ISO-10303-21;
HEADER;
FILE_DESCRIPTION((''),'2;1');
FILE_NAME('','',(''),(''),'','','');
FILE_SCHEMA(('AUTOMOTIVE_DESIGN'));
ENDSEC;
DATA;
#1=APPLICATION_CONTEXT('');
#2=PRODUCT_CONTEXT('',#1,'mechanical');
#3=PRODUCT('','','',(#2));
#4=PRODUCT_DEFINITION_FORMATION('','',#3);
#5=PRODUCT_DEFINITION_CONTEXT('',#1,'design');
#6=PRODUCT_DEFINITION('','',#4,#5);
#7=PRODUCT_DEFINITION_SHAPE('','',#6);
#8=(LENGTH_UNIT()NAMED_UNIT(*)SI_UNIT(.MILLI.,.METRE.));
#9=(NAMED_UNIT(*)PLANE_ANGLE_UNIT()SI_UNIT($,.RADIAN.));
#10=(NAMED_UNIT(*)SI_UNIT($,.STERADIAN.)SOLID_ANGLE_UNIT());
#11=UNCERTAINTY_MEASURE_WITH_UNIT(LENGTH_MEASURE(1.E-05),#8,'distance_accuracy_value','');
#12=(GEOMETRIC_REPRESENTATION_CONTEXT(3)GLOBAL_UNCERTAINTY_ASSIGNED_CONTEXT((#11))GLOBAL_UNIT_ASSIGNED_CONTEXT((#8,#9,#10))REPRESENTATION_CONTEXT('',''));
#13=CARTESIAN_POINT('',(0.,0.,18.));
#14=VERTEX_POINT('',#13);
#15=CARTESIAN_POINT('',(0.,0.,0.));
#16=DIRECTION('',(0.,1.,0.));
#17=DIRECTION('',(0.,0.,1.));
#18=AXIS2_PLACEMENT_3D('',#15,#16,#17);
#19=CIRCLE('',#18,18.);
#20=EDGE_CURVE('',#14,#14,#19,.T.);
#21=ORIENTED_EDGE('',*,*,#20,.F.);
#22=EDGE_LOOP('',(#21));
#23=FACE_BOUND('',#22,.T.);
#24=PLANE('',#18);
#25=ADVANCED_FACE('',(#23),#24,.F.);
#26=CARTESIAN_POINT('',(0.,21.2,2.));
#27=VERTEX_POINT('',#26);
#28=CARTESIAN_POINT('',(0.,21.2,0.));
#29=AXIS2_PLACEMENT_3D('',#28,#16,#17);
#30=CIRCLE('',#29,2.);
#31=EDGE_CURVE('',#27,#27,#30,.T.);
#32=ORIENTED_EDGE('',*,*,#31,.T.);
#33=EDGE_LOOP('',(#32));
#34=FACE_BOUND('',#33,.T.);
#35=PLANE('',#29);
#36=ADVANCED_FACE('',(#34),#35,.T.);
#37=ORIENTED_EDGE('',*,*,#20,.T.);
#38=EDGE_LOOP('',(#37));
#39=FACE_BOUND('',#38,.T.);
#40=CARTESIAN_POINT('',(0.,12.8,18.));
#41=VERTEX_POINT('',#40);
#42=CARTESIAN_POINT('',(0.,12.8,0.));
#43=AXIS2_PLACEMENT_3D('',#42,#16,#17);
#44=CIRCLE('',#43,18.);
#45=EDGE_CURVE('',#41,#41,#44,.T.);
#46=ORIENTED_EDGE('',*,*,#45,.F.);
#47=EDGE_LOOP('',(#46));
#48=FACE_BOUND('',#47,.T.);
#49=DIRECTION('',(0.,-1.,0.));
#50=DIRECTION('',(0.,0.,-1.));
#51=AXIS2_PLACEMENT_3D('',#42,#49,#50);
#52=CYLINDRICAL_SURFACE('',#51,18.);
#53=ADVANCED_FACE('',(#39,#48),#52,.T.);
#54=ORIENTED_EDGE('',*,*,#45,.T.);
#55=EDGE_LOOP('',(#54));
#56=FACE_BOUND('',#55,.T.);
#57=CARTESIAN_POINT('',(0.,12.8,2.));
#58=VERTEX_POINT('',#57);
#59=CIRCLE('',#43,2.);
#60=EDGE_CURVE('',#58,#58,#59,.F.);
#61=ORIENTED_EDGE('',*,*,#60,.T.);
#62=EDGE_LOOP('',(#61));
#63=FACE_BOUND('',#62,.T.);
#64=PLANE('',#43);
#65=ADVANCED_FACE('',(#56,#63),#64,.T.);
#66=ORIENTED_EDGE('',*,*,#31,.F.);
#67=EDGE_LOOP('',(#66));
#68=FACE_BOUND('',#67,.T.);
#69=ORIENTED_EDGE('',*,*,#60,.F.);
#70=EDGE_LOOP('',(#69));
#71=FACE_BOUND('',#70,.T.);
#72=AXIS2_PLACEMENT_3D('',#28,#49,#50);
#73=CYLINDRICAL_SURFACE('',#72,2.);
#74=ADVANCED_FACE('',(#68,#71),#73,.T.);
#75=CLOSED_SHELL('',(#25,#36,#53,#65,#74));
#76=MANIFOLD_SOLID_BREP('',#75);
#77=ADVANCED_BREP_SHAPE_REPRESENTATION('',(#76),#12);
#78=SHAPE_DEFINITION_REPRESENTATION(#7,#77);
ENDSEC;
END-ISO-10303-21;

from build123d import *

# Parameters (mm, degrees)
SKETCH1_R           = 18
BOSS_EXTRUDE1_DEPTH = 12.8
SKETCH1_3_R         = 2
BOSS_EXTRUDE2_DEPTH = 21.2


with BuildPart() as part:
    # Sketch1 → Boss-Extrude1 (new body)
    with BuildSketch(Plane(origin=(0, 0, 0), x_dir=(1, 0, 0), z_dir=(0, 1, 0))):
        Circle(SKETCH1_R)
    extrude(amount=BOSS_EXTRUDE1_DEPTH)

    # Sketch1<3> → Boss-Extrude2 (add)
    with BuildSketch(Plane(origin=(0, 0, 0), x_dir=(1, 0, 0), z_dir=(0, 1, 0))):
        Circle(SKETCH1_3_R)
    extrude(amount=BOSS_EXTRUDE2_DEPTH)


solid = part.part
